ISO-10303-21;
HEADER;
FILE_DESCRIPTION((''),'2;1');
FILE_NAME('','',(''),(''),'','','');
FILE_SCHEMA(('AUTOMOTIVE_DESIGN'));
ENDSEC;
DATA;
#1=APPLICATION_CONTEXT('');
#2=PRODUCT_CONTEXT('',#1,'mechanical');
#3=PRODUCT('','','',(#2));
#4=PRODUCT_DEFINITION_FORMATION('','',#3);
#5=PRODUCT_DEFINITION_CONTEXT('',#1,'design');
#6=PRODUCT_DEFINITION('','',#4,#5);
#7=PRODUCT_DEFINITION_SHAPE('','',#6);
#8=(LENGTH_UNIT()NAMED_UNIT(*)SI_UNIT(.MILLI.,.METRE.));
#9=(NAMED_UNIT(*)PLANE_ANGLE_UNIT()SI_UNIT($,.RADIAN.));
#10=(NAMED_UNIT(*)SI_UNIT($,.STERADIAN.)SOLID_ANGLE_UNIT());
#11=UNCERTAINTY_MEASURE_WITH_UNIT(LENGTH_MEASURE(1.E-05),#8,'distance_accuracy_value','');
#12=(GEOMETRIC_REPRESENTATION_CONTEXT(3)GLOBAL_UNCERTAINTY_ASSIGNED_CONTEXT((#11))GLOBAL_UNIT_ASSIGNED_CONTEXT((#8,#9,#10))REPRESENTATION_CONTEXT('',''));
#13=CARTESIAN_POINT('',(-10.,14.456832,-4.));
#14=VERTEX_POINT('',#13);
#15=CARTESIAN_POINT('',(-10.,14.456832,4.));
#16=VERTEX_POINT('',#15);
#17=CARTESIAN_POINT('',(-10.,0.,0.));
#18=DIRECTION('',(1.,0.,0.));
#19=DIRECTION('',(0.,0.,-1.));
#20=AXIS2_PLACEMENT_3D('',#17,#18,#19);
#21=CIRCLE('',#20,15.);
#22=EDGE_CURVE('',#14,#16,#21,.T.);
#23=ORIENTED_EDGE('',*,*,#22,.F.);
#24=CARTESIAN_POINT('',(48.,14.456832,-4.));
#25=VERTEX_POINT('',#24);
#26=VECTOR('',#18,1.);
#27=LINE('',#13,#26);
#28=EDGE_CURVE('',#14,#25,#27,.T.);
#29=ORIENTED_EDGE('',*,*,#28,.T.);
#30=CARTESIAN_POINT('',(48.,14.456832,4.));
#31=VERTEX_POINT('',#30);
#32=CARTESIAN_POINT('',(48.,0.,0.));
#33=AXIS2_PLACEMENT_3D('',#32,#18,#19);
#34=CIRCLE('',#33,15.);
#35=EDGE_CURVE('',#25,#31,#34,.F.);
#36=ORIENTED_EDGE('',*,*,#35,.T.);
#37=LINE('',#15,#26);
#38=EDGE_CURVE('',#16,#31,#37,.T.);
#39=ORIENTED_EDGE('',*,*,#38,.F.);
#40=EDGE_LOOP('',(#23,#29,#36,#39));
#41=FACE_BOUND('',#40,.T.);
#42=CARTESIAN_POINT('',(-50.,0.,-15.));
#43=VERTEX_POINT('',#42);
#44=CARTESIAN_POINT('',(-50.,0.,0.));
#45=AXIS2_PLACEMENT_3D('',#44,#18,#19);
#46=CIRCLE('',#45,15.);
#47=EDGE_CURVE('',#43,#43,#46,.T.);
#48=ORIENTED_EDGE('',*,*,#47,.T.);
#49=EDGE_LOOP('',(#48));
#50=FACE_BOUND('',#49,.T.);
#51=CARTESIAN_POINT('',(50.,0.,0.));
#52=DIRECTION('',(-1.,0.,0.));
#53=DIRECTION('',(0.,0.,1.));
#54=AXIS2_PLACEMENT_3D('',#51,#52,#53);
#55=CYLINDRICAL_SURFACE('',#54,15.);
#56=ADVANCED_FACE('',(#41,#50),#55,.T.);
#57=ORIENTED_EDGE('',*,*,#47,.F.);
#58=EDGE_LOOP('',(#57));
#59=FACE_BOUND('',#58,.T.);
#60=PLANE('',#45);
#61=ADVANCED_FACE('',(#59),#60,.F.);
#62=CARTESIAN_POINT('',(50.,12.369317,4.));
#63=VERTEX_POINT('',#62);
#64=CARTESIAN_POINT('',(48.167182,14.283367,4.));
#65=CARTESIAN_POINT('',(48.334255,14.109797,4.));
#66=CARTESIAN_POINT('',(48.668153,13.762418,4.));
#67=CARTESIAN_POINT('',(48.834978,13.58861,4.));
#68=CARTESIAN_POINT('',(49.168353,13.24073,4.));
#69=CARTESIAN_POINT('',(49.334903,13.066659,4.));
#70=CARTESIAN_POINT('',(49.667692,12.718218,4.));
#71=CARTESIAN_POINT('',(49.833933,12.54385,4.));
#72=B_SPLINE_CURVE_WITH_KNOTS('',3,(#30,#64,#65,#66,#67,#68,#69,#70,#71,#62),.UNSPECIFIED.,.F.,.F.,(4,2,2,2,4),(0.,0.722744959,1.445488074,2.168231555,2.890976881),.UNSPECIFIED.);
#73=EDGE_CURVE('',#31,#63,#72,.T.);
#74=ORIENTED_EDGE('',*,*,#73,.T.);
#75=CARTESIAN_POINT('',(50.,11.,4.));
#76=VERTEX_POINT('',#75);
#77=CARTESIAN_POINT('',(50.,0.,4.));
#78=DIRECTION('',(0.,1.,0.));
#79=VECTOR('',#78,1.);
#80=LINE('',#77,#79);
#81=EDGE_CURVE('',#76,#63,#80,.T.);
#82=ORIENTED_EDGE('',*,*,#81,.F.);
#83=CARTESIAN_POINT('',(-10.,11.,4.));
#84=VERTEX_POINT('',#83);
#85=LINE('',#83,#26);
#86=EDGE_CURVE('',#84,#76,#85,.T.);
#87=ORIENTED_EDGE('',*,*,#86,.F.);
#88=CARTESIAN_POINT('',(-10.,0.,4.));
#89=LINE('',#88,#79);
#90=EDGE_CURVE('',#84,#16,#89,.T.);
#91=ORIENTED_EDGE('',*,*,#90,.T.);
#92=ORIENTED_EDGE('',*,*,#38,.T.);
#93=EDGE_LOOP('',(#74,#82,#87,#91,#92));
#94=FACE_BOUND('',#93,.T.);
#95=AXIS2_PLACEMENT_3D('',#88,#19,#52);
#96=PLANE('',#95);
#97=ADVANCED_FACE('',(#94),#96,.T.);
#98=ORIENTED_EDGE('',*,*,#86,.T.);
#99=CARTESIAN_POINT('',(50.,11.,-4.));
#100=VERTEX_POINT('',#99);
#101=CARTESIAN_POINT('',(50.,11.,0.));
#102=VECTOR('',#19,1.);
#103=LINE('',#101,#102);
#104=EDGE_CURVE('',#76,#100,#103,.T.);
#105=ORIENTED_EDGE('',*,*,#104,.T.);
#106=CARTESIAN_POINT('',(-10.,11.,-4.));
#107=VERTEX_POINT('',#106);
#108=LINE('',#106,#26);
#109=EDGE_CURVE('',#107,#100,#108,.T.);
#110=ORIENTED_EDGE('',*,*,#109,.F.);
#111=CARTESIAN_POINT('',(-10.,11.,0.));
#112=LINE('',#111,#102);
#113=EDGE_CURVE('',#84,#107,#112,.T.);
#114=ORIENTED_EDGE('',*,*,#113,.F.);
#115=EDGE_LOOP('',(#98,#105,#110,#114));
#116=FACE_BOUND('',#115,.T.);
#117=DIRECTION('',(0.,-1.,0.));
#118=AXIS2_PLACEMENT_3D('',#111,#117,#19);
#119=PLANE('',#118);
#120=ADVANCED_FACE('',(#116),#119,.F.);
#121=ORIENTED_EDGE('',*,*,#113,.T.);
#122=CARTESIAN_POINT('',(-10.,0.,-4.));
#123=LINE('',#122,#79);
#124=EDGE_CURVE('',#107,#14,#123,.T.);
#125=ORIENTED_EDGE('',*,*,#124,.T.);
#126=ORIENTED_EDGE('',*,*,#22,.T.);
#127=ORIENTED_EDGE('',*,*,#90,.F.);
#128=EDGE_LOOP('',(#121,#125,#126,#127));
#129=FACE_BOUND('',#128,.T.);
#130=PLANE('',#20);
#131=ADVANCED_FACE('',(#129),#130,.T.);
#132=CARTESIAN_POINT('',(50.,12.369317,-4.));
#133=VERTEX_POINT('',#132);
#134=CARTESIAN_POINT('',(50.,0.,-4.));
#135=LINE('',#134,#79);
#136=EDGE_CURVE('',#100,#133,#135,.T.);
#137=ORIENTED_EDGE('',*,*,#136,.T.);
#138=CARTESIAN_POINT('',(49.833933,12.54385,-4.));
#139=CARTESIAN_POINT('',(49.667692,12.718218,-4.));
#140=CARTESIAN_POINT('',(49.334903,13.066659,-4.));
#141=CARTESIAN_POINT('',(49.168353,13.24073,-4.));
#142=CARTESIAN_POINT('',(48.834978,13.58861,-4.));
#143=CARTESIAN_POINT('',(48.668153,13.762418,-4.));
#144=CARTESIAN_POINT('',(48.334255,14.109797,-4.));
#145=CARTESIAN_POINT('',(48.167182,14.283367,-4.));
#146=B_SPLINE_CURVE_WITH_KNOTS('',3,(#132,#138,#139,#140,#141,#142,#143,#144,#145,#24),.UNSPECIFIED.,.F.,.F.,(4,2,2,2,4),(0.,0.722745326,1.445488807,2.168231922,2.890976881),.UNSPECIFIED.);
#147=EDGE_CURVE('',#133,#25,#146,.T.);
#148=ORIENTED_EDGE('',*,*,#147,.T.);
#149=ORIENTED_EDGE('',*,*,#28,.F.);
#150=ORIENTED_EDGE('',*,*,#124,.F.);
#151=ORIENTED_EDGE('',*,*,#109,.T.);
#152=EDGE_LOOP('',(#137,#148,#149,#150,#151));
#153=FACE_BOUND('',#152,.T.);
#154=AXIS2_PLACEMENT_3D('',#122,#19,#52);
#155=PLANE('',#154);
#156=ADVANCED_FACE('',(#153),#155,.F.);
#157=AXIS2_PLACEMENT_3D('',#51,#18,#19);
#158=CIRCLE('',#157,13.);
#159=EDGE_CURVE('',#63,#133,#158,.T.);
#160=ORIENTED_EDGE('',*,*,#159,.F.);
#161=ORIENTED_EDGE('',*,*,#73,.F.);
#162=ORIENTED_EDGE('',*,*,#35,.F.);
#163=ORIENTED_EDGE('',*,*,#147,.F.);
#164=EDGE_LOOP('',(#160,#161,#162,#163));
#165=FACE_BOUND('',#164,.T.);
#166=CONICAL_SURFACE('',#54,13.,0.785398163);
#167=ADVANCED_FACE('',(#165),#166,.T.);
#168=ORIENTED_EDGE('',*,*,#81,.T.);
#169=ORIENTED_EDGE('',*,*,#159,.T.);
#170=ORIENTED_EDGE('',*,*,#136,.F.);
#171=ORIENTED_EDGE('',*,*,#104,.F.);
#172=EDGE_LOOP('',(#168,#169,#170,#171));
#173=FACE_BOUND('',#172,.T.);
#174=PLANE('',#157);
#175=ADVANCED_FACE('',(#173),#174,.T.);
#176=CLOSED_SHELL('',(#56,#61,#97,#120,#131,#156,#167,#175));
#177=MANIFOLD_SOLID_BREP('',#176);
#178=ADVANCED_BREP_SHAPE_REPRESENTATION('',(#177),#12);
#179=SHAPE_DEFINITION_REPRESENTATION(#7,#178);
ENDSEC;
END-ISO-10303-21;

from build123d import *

# Parameters (mm, degrees)
SKETCH1_R           = 15
BOSS_EXTRUDE1_DEPTH = 50
CUT_EXTRUDE1_DEPTH  = 60
CHAMFER1_SIZE       = 2


with BuildPart() as part:
    # Sketch1 → Boss-Extrude1 (new, symmetric)
    with BuildSketch(Plane(origin=(0, 0, 0), x_dir=(0, 0, -1), z_dir=(1, 0, 0))):
        Circle(SKETCH1_R)
    extrude(amount=BOSS_EXTRUDE1_DEPTH, both=True)

    # Sketch2 → Cut-Extrude1 (cut)
    with BuildSketch(Plane(origin=(50, 0, 0), x_dir=(0, 0, -1), z_dir=(1, 0, 0))):
        Polygon((-4, 94.562608629), (-4, 14.456832295), (-4, 11), (4, 11), (4, 14.456832295), (4, 94.562608629), (4, 254.774161296), (-4, 254.774161296), align=None)
    extrude(amount=-CUT_EXTRUDE1_DEPTH, mode=Mode.SUBTRACT)

    # Chamfer1
    chamfer1_edges = [part.edges().sort_by_distance(p)[0] for p in [
        (50, -11.937336386, 9.082951062),
    ]]
    chamfer(chamfer1_edges, length=CHAMFER1_SIZE)


solid = part.part
